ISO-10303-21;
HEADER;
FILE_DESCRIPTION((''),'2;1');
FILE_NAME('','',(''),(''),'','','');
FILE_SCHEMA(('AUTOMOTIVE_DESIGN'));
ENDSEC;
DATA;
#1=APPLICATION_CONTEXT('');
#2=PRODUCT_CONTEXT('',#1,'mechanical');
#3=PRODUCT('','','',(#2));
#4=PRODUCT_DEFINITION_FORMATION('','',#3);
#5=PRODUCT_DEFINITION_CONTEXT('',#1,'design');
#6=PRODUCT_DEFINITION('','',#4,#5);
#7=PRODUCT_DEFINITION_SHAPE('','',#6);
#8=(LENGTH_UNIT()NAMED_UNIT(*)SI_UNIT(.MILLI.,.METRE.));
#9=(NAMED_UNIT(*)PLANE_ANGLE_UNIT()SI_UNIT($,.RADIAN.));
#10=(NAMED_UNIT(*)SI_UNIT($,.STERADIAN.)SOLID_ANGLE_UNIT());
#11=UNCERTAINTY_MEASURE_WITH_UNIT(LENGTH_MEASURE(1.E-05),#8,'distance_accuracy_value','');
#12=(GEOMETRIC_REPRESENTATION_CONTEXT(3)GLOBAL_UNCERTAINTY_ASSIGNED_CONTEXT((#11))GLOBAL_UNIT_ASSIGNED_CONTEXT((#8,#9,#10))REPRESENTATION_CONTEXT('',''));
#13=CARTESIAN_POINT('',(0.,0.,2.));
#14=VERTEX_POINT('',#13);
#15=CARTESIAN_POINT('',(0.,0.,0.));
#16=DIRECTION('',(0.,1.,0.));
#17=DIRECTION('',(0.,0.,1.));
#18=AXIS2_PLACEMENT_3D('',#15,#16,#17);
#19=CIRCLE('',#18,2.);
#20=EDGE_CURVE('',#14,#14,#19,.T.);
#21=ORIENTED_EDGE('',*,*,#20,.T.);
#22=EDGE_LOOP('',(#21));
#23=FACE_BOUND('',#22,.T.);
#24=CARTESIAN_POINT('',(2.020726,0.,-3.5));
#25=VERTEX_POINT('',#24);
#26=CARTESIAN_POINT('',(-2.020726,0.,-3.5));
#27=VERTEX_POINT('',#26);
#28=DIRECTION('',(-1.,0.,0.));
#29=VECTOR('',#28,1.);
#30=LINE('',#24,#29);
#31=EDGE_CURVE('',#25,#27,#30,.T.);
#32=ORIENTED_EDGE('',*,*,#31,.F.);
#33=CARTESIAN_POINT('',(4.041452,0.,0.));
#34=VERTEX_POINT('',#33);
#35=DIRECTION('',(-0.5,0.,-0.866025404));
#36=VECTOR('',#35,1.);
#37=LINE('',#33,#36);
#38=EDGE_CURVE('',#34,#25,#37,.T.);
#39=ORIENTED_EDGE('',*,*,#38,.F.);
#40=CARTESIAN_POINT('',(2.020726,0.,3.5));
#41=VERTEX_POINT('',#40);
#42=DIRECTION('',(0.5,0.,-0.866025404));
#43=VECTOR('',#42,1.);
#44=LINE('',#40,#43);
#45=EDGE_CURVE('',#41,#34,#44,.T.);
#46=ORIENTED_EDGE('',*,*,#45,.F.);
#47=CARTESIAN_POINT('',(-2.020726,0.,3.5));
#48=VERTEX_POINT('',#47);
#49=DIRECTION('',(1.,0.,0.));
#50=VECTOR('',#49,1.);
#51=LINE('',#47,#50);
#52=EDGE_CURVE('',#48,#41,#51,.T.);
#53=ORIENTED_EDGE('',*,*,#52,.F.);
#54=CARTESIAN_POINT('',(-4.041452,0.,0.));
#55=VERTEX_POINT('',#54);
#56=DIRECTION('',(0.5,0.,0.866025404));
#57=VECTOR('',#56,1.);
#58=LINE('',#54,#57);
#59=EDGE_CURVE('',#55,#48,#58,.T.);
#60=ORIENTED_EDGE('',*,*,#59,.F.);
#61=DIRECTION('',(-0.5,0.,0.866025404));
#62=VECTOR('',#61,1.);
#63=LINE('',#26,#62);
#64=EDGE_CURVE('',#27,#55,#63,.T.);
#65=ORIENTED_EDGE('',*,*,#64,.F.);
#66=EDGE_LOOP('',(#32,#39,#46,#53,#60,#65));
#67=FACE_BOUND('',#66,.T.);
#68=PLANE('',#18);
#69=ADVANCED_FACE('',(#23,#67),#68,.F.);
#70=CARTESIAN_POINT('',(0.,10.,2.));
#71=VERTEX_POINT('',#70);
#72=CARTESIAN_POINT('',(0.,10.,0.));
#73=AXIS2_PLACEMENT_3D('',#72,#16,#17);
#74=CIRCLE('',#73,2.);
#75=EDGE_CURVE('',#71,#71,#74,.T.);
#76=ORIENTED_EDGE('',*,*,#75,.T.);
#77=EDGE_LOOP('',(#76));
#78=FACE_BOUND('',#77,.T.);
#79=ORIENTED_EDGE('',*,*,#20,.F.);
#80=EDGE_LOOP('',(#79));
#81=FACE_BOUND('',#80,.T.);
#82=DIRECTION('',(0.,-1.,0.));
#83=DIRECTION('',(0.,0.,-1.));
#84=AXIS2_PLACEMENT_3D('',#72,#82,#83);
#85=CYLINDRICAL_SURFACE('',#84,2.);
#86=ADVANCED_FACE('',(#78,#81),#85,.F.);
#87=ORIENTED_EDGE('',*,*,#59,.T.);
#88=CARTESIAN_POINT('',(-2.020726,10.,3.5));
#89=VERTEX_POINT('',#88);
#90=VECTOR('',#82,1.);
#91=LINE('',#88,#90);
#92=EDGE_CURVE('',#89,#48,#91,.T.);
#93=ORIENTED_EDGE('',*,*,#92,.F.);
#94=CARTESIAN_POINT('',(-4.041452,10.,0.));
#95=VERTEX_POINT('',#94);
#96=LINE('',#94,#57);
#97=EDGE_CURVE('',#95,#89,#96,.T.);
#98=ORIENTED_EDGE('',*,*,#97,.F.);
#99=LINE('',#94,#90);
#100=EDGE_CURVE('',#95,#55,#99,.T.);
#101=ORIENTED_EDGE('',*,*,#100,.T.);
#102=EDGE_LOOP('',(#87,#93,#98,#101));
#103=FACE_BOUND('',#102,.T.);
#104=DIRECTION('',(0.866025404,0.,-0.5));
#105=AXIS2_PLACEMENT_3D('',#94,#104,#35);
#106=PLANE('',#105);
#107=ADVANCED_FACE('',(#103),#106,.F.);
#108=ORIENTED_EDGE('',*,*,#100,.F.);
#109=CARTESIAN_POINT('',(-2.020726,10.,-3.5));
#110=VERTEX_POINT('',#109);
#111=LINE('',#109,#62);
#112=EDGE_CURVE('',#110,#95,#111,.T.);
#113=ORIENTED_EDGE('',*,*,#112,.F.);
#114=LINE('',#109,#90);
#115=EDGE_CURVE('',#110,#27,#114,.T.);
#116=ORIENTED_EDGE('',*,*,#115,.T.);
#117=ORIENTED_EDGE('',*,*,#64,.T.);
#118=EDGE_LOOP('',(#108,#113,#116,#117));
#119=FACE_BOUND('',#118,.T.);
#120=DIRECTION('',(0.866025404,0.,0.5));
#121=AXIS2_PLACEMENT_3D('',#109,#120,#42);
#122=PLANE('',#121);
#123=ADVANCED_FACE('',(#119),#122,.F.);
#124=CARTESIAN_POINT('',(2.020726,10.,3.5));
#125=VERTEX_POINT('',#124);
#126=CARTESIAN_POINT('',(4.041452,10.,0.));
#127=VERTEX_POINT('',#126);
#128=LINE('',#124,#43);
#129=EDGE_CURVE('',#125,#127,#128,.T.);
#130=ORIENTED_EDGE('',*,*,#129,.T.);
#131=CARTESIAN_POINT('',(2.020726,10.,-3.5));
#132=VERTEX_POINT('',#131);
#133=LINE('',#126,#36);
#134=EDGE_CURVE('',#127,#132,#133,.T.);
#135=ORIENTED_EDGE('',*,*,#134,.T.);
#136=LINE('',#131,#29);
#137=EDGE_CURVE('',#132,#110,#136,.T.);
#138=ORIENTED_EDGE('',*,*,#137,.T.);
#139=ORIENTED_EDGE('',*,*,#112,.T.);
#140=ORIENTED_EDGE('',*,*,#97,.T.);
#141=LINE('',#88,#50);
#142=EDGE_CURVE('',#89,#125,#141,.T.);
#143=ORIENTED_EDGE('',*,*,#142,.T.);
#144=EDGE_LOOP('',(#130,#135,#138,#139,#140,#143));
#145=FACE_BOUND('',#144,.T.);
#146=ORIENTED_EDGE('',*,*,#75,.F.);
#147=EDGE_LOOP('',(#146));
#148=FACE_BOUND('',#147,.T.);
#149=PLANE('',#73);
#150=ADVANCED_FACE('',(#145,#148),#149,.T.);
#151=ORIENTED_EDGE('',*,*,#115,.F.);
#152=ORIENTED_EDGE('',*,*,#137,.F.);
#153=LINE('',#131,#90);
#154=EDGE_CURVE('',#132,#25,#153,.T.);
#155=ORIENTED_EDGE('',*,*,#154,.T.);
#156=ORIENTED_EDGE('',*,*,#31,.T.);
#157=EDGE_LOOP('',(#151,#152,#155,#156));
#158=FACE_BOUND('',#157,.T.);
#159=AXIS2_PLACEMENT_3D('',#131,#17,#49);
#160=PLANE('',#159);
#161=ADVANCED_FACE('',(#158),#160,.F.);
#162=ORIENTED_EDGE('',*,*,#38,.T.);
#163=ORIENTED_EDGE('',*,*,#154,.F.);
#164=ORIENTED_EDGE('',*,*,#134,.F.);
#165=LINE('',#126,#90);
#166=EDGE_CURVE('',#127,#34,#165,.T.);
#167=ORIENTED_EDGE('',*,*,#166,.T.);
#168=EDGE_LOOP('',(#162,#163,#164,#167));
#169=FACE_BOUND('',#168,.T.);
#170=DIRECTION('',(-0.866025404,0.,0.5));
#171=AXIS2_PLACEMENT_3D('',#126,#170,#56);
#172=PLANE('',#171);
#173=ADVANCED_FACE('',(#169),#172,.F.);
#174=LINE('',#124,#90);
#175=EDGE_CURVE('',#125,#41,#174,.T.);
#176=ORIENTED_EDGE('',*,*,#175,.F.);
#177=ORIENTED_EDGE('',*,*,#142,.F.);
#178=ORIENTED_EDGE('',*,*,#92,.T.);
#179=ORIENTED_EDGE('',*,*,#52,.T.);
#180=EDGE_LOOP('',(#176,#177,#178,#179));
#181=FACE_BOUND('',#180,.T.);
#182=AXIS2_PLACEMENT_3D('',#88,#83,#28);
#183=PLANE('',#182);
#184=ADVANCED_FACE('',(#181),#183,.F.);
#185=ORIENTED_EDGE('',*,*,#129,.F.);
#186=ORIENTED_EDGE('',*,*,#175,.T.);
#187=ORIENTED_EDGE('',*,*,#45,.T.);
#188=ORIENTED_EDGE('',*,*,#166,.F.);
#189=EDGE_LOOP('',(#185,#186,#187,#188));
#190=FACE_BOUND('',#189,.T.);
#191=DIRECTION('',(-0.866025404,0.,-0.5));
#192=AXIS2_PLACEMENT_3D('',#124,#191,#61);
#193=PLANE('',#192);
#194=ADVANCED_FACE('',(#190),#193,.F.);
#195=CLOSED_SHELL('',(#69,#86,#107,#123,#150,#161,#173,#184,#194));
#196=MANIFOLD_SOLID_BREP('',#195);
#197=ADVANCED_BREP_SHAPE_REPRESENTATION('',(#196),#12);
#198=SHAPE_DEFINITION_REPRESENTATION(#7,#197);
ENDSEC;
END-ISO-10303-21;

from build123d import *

# Parameters (mm, degrees)
SKETCH_1_R      = 2
EXTRUDE_1_DEPTH = 10


with BuildPart() as part:
    # 草图1 → 凸台-拉伸1 (new body)
    with BuildSketch(Plane(origin=(0, 0, 0), x_dir=(1, 0, 0), z_dir=(0, 1, 0))):
        Polygon((4.041451884, 0), (2.020725942, 3.5), (-2.020725942, 3.5), (-4.041451884, 0), (-2.020725942, -3.5), (2.020725942, -3.5), align=None)
        with Locations(Location((0, 0, 0), (0, 0, 270))):
            Circle(SKETCH_1_R, mode=Mode.SUBTRACT)
    extrude(amount=EXTRUDE_1_DEPTH)


solid = part.part
